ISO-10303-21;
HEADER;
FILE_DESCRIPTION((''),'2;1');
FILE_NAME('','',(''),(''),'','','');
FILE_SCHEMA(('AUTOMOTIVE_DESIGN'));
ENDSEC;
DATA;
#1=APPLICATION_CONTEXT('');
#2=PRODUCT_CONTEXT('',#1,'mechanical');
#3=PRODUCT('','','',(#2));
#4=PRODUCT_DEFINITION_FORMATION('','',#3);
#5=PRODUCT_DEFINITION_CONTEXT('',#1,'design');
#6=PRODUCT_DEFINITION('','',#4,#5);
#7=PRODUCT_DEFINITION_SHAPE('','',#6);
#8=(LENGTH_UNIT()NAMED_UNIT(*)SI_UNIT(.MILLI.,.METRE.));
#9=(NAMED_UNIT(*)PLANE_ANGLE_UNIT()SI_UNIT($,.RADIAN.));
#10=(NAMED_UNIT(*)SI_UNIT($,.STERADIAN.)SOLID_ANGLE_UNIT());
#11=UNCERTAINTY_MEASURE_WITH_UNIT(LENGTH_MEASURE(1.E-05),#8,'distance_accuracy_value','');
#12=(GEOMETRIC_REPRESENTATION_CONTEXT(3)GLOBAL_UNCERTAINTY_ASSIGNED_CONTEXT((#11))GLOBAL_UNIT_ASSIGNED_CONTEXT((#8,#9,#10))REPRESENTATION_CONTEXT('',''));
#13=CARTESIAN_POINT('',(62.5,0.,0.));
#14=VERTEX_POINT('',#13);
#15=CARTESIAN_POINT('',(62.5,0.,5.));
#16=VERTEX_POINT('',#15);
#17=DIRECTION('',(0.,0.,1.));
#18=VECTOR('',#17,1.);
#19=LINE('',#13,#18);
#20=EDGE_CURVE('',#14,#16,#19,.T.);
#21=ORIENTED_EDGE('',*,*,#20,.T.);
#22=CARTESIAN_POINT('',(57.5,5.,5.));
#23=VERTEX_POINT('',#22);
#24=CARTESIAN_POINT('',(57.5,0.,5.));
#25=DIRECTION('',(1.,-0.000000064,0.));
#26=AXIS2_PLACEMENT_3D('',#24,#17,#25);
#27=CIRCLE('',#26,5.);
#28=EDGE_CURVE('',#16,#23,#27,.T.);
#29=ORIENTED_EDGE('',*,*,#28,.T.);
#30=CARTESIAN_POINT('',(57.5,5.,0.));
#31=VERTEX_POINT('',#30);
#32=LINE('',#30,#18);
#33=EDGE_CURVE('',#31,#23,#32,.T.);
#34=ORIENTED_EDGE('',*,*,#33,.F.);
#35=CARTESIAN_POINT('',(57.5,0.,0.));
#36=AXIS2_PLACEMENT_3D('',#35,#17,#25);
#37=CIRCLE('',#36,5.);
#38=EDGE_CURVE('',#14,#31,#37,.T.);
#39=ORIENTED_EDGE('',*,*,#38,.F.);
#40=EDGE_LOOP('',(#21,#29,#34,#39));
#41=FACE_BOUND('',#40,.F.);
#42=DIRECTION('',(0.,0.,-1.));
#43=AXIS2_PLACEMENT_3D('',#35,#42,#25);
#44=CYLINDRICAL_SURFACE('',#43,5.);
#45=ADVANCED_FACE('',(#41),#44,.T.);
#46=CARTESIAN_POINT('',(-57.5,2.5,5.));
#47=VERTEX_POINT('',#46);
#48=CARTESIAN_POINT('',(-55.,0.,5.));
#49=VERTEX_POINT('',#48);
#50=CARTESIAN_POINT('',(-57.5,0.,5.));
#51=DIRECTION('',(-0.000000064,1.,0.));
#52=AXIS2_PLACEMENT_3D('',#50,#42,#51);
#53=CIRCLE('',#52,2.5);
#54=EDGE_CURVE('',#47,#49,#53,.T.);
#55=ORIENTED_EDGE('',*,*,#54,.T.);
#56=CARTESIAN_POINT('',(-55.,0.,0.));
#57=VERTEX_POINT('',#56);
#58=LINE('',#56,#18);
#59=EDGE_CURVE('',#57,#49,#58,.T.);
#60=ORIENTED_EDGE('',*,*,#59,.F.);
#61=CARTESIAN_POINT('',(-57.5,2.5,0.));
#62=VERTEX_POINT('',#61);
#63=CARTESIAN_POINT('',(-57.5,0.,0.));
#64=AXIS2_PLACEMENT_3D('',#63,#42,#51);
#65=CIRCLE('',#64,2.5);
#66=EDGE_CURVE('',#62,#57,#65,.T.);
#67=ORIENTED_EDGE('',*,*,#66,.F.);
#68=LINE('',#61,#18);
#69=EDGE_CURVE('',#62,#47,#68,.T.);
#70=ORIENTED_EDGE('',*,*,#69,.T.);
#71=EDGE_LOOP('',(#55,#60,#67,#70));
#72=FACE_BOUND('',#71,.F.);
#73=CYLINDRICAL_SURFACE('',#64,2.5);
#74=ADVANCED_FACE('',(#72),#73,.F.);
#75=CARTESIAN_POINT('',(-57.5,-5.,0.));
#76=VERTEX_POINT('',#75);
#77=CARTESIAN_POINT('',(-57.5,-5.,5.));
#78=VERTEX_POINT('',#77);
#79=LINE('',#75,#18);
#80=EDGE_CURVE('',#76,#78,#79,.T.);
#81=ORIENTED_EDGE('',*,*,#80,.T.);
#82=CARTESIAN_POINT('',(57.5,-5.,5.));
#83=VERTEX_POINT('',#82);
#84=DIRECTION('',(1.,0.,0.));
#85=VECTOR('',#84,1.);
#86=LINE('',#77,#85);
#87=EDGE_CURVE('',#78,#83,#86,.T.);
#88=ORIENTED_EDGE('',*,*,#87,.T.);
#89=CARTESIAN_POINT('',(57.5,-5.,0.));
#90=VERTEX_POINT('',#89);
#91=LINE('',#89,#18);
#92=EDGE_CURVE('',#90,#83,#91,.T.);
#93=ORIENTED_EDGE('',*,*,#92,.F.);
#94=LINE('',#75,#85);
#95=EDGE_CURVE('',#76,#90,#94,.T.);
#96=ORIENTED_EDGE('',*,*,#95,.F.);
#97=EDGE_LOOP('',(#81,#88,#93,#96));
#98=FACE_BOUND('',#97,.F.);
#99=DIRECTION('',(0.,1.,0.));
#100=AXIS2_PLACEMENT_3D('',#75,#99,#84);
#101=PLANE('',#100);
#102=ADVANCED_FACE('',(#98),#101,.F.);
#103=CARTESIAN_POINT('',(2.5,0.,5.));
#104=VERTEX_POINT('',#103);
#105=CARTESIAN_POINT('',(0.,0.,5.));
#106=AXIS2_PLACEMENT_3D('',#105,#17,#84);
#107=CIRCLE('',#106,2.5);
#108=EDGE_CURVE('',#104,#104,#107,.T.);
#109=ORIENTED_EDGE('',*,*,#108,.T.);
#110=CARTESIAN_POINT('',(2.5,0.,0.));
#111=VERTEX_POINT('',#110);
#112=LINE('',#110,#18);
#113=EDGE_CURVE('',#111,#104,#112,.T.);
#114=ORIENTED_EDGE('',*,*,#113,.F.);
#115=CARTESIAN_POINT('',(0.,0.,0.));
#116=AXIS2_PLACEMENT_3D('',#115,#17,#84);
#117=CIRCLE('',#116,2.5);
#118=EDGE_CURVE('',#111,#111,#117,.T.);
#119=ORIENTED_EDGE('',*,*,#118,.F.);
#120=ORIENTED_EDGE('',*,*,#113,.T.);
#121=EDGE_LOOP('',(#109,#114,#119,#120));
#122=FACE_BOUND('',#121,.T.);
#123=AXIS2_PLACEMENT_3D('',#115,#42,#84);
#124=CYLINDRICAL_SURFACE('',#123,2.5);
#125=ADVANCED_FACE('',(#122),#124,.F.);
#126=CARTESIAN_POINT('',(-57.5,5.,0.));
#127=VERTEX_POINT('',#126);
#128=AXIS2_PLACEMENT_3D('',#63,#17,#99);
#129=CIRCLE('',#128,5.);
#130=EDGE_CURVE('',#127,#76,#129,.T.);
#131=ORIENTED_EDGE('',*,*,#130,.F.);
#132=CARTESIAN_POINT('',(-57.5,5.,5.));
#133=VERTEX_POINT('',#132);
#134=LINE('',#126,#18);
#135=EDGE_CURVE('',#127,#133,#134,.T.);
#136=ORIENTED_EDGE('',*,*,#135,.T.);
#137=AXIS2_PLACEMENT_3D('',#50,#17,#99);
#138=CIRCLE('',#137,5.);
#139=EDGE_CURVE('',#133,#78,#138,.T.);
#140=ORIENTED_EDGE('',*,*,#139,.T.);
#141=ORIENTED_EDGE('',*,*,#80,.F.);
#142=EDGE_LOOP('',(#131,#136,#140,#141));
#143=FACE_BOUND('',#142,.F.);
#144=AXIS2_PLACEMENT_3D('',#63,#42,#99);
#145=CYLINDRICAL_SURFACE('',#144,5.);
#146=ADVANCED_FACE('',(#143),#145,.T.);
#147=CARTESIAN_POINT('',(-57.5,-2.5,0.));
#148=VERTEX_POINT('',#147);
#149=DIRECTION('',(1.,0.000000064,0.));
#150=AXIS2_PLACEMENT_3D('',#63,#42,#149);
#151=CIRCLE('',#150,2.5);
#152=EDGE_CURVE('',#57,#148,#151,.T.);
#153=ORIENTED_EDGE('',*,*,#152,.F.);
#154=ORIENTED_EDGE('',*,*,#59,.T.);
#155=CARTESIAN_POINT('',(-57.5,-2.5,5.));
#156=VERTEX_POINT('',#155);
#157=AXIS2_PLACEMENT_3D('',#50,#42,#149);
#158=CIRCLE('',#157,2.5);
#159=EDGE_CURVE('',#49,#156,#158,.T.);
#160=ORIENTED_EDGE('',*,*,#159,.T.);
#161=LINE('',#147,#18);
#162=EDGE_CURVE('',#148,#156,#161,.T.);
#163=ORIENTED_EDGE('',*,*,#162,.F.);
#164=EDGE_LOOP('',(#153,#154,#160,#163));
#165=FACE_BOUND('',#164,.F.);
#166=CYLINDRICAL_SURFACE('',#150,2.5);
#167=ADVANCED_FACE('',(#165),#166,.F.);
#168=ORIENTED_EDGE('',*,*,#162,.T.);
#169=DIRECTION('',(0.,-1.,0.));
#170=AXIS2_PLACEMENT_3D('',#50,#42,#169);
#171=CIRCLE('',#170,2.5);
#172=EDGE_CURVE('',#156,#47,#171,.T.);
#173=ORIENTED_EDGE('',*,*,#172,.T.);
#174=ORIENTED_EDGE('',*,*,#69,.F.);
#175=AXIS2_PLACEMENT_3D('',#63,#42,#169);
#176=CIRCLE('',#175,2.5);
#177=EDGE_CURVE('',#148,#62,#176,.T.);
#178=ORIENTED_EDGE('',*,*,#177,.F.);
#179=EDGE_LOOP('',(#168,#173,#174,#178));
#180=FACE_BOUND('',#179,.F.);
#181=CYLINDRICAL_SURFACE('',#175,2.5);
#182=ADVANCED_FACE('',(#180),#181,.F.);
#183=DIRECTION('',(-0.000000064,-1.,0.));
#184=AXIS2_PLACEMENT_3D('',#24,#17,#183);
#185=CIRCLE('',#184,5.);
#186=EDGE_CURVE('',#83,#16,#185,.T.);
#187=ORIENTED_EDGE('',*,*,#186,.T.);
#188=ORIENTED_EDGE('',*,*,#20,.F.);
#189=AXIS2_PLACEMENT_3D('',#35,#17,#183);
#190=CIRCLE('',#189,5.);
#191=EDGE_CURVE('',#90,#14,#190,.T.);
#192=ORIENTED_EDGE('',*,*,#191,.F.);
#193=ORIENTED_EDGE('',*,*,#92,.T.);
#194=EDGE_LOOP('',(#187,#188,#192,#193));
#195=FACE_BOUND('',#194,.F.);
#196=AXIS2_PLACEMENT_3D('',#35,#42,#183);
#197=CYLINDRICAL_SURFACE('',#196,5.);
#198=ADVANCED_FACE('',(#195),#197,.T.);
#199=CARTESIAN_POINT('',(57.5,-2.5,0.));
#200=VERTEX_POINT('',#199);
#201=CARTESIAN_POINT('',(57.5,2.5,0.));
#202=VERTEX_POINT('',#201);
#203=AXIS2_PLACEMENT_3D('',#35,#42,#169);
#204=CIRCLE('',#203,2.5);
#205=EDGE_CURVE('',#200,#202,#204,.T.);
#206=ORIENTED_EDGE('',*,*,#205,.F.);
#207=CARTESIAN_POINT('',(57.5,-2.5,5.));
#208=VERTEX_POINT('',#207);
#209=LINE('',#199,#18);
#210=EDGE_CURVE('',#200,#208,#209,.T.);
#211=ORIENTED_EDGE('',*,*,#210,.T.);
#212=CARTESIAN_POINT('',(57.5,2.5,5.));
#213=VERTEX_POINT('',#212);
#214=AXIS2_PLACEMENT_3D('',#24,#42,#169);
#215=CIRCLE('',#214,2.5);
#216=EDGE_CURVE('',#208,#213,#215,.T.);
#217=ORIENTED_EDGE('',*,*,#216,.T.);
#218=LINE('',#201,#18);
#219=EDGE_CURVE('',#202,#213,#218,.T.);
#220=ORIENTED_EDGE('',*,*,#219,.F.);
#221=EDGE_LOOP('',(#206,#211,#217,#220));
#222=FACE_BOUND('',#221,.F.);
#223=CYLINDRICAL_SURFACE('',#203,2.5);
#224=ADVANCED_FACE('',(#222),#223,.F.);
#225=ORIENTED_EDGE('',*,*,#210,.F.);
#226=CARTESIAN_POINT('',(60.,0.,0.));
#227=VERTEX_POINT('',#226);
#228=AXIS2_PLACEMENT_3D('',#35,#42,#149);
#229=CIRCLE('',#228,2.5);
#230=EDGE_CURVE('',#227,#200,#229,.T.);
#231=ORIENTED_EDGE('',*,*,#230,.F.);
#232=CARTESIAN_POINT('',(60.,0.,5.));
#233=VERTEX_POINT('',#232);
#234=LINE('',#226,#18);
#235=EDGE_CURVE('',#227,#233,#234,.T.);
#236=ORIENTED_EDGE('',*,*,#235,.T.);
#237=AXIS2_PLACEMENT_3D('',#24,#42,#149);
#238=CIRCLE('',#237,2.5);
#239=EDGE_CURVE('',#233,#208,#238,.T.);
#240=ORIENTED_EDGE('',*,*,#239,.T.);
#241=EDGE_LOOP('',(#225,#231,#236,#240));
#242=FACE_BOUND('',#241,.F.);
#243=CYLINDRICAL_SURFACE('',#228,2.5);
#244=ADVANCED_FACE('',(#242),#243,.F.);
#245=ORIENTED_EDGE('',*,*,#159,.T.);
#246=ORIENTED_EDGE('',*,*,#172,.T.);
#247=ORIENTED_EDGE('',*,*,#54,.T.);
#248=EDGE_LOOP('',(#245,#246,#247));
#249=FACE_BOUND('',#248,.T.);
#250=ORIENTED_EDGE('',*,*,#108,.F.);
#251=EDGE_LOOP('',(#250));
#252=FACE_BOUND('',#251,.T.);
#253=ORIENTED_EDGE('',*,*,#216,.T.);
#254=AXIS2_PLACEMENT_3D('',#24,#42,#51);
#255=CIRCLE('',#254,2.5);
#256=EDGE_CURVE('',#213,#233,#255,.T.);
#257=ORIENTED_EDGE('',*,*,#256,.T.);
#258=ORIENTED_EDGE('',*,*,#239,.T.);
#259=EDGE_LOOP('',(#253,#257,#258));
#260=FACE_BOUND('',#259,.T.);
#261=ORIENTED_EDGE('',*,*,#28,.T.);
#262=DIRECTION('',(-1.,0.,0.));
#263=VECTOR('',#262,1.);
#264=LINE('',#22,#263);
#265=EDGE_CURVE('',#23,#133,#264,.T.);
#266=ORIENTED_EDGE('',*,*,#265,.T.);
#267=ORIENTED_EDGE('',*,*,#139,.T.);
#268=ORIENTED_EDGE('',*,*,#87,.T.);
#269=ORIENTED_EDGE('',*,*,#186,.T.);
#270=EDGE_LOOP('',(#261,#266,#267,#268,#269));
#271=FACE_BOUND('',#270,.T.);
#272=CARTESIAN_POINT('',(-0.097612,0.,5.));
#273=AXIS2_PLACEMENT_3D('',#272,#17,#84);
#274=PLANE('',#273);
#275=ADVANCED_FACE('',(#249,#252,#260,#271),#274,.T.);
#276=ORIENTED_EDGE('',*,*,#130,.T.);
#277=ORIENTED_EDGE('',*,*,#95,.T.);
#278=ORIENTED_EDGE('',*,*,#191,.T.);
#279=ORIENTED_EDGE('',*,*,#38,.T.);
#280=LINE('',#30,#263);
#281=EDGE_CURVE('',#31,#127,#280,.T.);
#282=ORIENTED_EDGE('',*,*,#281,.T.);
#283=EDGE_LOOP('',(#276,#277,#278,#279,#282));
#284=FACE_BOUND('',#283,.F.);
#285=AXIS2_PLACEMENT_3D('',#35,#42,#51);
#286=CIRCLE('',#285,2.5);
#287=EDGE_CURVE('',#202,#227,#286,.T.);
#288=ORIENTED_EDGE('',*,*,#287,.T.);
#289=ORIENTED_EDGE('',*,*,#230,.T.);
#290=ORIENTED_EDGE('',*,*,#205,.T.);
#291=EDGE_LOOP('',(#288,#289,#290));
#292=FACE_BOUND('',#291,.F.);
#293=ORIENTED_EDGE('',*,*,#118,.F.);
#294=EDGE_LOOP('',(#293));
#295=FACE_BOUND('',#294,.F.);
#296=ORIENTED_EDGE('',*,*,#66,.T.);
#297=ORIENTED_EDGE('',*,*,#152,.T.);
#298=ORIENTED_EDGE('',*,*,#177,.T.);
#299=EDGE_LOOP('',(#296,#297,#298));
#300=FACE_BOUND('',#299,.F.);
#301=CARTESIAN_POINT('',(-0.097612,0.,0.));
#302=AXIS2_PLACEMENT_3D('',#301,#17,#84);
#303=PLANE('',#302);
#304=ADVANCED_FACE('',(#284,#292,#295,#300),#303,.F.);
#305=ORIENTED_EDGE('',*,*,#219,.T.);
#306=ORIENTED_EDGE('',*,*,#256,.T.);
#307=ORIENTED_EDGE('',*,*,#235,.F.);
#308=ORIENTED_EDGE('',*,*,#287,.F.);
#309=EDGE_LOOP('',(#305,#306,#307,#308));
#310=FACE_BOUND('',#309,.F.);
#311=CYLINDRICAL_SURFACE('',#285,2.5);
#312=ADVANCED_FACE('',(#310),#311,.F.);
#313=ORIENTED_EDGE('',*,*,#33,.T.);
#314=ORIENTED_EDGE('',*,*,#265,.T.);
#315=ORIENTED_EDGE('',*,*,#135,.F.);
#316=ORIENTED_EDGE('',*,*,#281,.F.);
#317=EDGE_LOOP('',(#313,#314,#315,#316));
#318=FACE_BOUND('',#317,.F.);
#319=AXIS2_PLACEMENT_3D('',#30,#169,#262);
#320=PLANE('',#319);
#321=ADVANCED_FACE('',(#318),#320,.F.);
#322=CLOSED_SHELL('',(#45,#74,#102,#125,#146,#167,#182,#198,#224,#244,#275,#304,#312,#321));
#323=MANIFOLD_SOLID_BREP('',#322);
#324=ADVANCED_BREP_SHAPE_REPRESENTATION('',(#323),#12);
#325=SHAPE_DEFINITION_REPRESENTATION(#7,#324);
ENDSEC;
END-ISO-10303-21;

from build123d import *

# Parameters (mm, degrees)
F0_R     = 2.5
F1_DEPTH = 5


with BuildPart() as f1:
    # F0 (on Top) → F1 (new body)
    with BuildSketch(Plane.XY):
        with BuildLine():
            Line((-57.5, -5), (57.5, -5))
            ThreePointArc((57.5, -5), (52.5, 0), (57.5, 5))
            Line((57.5, 5), (-57.5, 5))
            ThreePointArc((-57.5, 5), (-53.964466, 3.535534), (-52.5, 0))
            ThreePointArc((-52.5, 0), (-53.964466, -3.535534), (-57.5, -5))
        make_face()
        Circle(F0_R, mode=Mode.SUBTRACT)
        with BuildLine():
            ThreePointArc((-57.5, 5), (-62.5, 0), (-57.5, -5))
            Line((-57.5, -5), (-57.5, -2.5))
            ThreePointArc((-57.5, -2.5), (-60, 0), (-57.5, 2.5))
            Line((-57.5, 2.5), (-57.5, 5))
        make_face()
        with BuildLine():
            ThreePointArc((57.5, 5), (52.5, 0), (57.5, -5))
            Line((57.5, -5), (57.5, -2.5))
            ThreePointArc((57.5, -2.5), (55, 0), (57.5, 2.5))
            Line((57.5, 2.5), (57.5, 5))
        make_face()
        with BuildLine():
            Line((57.5, -2.5), (57.5, -5))
            ThreePointArc((57.5, -5), (61.035534, -3.535534), (62.5, 0))
            ThreePointArc((62.5, 0), (61.035534, 3.535534), (57.5, 5))
            Line((57.5, 5), (57.5, 2.5))
            ThreePointArc((57.5, 2.5), (59.267767, 1.767767), (60, 0))
            ThreePointArc((60, 0), (59.267767, -1.767767), (57.5, -2.5))
        make_face()
        with BuildLine():
            Line((-57.5, -2.5), (-57.5, -5))
            ThreePointArc((-57.5, -5), (-53.964466, -3.535534), (-52.5, 0))
            ThreePointArc((-52.5, 0), (-53.964466, 3.535534), (-57.5, 5))
            Line((-57.5, 5), (-57.5, 2.5))
            ThreePointArc((-57.5, 2.5), (-55.732233, 1.767767), (-55, 0))
            ThreePointArc((-55, 0), (-55.732233, -1.767767), (-57.5, -2.5))
        make_face()
    extrude(amount=F1_DEPTH)


solid = f1.part
